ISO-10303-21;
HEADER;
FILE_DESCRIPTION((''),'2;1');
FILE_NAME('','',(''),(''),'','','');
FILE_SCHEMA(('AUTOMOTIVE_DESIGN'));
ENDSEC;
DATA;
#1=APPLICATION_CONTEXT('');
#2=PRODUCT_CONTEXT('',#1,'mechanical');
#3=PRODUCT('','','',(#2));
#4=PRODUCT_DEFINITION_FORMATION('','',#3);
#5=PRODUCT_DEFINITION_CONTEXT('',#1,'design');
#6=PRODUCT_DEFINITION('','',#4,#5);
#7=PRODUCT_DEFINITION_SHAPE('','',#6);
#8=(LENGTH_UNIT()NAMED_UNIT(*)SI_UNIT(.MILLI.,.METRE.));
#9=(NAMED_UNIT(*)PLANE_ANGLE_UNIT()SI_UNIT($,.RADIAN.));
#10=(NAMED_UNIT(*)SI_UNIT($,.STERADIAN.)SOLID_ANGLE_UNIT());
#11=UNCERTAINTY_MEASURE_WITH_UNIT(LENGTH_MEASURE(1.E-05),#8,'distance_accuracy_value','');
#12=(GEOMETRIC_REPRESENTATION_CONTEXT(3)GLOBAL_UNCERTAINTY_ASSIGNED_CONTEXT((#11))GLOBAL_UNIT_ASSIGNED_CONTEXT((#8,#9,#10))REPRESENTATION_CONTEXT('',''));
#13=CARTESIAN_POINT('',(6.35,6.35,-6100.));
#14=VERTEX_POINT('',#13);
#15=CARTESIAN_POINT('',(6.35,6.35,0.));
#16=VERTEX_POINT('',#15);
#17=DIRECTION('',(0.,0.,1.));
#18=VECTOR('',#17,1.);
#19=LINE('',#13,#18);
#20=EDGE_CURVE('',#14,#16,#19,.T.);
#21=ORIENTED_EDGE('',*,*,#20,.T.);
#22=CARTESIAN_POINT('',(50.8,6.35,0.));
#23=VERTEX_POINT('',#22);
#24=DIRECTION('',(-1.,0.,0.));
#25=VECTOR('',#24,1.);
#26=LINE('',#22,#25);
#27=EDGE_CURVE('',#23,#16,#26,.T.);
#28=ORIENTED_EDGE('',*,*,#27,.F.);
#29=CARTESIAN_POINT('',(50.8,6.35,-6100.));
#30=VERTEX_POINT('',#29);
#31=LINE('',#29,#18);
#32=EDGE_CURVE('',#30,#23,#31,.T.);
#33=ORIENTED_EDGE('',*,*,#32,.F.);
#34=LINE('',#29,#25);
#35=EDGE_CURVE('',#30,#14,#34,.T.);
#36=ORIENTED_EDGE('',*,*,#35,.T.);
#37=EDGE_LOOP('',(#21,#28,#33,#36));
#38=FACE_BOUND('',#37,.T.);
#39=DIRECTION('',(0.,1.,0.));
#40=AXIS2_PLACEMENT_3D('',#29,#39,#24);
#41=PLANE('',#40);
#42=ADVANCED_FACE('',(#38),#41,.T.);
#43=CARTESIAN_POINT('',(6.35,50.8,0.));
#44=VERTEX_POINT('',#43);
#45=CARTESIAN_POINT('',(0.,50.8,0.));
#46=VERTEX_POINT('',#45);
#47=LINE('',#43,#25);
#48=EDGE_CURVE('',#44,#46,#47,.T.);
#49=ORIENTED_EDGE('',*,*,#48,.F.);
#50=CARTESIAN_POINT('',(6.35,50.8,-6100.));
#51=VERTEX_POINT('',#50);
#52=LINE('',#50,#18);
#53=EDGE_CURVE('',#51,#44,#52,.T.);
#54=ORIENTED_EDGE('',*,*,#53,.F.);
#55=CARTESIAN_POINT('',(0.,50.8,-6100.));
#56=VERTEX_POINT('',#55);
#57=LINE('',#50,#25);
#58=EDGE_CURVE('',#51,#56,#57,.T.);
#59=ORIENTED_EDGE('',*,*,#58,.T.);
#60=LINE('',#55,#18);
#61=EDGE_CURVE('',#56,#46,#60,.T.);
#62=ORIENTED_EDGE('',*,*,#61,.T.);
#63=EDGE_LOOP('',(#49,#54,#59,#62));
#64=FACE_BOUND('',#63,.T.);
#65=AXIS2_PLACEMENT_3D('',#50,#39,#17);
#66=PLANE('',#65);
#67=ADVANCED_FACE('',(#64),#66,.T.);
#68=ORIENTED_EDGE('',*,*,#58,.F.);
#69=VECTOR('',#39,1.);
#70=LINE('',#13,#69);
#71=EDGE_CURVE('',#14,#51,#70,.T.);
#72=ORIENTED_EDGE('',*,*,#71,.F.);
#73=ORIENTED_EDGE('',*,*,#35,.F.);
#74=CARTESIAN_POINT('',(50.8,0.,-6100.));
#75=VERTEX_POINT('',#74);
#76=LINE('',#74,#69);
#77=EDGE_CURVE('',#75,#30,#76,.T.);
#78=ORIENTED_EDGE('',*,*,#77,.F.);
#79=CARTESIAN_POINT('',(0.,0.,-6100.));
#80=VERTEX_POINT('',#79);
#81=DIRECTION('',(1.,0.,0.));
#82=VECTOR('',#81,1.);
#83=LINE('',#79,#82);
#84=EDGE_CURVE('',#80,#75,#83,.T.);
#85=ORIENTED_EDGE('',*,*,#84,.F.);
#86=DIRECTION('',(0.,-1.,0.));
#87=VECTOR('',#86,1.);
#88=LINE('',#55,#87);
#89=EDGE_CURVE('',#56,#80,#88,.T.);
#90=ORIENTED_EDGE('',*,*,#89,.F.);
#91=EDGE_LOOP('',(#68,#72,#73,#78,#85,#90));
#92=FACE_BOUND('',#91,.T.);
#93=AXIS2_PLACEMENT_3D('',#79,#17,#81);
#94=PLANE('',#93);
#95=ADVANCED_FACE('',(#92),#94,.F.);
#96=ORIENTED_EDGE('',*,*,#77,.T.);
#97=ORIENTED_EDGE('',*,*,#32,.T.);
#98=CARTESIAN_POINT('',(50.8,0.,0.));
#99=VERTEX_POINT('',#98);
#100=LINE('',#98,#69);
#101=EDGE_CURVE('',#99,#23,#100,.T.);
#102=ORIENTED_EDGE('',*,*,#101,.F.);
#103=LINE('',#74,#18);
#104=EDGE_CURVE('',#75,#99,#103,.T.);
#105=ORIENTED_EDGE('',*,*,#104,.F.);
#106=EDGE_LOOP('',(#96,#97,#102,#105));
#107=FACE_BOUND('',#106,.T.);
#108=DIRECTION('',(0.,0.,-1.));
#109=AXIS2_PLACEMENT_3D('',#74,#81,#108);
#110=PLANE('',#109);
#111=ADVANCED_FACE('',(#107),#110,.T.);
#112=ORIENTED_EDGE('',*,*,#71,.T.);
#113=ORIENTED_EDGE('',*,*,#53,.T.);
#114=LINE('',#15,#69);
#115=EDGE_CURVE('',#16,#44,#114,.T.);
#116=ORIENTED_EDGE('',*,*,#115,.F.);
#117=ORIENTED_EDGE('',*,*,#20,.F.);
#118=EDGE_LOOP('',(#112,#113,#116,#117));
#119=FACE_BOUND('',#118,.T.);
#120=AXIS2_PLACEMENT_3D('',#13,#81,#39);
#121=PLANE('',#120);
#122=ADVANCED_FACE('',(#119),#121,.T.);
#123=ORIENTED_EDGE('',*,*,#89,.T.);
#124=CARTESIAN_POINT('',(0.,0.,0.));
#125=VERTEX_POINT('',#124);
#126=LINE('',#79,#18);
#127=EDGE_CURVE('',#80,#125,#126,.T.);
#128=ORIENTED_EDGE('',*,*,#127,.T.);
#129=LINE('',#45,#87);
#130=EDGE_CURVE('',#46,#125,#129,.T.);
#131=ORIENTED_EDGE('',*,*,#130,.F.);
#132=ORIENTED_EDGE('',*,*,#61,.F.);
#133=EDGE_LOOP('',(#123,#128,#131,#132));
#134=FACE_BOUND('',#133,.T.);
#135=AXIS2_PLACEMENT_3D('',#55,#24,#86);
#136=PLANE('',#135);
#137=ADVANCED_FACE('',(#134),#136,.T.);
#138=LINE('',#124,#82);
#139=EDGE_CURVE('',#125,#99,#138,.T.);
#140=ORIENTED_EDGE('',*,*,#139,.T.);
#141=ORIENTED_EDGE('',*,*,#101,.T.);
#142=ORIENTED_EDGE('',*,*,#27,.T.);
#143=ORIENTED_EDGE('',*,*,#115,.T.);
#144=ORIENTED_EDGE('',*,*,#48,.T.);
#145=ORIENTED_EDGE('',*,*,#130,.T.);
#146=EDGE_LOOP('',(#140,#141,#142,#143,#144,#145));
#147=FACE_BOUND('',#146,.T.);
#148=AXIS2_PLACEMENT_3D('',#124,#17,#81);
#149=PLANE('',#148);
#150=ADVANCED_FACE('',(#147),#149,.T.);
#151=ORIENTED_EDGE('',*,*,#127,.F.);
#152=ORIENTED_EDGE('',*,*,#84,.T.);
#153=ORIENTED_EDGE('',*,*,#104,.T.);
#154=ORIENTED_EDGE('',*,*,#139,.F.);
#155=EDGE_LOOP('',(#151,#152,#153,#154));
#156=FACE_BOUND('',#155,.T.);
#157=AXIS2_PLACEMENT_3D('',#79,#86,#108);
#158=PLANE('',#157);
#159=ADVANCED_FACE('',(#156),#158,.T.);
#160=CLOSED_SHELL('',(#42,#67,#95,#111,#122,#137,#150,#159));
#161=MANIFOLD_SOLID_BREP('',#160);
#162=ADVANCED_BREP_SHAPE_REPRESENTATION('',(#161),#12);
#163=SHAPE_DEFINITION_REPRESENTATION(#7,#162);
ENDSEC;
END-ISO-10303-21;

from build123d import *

# Parameters (mm, degrees)
SALIENTE_EXTRUIR1_DEPTH = 6100


with BuildPart() as part:
    # Croquis1 → Saliente-Extruir1 (new body)
    with BuildSketch(Plane.XY):
        Polygon((0, 50.8), (0, 0), (50.8, 0), (50.8, 6.35), (6.35, 6.35), (6.35, 50.8), align=None)
    extrude(amount=-SALIENTE_EXTRUIR1_DEPTH)


solid = part.part
